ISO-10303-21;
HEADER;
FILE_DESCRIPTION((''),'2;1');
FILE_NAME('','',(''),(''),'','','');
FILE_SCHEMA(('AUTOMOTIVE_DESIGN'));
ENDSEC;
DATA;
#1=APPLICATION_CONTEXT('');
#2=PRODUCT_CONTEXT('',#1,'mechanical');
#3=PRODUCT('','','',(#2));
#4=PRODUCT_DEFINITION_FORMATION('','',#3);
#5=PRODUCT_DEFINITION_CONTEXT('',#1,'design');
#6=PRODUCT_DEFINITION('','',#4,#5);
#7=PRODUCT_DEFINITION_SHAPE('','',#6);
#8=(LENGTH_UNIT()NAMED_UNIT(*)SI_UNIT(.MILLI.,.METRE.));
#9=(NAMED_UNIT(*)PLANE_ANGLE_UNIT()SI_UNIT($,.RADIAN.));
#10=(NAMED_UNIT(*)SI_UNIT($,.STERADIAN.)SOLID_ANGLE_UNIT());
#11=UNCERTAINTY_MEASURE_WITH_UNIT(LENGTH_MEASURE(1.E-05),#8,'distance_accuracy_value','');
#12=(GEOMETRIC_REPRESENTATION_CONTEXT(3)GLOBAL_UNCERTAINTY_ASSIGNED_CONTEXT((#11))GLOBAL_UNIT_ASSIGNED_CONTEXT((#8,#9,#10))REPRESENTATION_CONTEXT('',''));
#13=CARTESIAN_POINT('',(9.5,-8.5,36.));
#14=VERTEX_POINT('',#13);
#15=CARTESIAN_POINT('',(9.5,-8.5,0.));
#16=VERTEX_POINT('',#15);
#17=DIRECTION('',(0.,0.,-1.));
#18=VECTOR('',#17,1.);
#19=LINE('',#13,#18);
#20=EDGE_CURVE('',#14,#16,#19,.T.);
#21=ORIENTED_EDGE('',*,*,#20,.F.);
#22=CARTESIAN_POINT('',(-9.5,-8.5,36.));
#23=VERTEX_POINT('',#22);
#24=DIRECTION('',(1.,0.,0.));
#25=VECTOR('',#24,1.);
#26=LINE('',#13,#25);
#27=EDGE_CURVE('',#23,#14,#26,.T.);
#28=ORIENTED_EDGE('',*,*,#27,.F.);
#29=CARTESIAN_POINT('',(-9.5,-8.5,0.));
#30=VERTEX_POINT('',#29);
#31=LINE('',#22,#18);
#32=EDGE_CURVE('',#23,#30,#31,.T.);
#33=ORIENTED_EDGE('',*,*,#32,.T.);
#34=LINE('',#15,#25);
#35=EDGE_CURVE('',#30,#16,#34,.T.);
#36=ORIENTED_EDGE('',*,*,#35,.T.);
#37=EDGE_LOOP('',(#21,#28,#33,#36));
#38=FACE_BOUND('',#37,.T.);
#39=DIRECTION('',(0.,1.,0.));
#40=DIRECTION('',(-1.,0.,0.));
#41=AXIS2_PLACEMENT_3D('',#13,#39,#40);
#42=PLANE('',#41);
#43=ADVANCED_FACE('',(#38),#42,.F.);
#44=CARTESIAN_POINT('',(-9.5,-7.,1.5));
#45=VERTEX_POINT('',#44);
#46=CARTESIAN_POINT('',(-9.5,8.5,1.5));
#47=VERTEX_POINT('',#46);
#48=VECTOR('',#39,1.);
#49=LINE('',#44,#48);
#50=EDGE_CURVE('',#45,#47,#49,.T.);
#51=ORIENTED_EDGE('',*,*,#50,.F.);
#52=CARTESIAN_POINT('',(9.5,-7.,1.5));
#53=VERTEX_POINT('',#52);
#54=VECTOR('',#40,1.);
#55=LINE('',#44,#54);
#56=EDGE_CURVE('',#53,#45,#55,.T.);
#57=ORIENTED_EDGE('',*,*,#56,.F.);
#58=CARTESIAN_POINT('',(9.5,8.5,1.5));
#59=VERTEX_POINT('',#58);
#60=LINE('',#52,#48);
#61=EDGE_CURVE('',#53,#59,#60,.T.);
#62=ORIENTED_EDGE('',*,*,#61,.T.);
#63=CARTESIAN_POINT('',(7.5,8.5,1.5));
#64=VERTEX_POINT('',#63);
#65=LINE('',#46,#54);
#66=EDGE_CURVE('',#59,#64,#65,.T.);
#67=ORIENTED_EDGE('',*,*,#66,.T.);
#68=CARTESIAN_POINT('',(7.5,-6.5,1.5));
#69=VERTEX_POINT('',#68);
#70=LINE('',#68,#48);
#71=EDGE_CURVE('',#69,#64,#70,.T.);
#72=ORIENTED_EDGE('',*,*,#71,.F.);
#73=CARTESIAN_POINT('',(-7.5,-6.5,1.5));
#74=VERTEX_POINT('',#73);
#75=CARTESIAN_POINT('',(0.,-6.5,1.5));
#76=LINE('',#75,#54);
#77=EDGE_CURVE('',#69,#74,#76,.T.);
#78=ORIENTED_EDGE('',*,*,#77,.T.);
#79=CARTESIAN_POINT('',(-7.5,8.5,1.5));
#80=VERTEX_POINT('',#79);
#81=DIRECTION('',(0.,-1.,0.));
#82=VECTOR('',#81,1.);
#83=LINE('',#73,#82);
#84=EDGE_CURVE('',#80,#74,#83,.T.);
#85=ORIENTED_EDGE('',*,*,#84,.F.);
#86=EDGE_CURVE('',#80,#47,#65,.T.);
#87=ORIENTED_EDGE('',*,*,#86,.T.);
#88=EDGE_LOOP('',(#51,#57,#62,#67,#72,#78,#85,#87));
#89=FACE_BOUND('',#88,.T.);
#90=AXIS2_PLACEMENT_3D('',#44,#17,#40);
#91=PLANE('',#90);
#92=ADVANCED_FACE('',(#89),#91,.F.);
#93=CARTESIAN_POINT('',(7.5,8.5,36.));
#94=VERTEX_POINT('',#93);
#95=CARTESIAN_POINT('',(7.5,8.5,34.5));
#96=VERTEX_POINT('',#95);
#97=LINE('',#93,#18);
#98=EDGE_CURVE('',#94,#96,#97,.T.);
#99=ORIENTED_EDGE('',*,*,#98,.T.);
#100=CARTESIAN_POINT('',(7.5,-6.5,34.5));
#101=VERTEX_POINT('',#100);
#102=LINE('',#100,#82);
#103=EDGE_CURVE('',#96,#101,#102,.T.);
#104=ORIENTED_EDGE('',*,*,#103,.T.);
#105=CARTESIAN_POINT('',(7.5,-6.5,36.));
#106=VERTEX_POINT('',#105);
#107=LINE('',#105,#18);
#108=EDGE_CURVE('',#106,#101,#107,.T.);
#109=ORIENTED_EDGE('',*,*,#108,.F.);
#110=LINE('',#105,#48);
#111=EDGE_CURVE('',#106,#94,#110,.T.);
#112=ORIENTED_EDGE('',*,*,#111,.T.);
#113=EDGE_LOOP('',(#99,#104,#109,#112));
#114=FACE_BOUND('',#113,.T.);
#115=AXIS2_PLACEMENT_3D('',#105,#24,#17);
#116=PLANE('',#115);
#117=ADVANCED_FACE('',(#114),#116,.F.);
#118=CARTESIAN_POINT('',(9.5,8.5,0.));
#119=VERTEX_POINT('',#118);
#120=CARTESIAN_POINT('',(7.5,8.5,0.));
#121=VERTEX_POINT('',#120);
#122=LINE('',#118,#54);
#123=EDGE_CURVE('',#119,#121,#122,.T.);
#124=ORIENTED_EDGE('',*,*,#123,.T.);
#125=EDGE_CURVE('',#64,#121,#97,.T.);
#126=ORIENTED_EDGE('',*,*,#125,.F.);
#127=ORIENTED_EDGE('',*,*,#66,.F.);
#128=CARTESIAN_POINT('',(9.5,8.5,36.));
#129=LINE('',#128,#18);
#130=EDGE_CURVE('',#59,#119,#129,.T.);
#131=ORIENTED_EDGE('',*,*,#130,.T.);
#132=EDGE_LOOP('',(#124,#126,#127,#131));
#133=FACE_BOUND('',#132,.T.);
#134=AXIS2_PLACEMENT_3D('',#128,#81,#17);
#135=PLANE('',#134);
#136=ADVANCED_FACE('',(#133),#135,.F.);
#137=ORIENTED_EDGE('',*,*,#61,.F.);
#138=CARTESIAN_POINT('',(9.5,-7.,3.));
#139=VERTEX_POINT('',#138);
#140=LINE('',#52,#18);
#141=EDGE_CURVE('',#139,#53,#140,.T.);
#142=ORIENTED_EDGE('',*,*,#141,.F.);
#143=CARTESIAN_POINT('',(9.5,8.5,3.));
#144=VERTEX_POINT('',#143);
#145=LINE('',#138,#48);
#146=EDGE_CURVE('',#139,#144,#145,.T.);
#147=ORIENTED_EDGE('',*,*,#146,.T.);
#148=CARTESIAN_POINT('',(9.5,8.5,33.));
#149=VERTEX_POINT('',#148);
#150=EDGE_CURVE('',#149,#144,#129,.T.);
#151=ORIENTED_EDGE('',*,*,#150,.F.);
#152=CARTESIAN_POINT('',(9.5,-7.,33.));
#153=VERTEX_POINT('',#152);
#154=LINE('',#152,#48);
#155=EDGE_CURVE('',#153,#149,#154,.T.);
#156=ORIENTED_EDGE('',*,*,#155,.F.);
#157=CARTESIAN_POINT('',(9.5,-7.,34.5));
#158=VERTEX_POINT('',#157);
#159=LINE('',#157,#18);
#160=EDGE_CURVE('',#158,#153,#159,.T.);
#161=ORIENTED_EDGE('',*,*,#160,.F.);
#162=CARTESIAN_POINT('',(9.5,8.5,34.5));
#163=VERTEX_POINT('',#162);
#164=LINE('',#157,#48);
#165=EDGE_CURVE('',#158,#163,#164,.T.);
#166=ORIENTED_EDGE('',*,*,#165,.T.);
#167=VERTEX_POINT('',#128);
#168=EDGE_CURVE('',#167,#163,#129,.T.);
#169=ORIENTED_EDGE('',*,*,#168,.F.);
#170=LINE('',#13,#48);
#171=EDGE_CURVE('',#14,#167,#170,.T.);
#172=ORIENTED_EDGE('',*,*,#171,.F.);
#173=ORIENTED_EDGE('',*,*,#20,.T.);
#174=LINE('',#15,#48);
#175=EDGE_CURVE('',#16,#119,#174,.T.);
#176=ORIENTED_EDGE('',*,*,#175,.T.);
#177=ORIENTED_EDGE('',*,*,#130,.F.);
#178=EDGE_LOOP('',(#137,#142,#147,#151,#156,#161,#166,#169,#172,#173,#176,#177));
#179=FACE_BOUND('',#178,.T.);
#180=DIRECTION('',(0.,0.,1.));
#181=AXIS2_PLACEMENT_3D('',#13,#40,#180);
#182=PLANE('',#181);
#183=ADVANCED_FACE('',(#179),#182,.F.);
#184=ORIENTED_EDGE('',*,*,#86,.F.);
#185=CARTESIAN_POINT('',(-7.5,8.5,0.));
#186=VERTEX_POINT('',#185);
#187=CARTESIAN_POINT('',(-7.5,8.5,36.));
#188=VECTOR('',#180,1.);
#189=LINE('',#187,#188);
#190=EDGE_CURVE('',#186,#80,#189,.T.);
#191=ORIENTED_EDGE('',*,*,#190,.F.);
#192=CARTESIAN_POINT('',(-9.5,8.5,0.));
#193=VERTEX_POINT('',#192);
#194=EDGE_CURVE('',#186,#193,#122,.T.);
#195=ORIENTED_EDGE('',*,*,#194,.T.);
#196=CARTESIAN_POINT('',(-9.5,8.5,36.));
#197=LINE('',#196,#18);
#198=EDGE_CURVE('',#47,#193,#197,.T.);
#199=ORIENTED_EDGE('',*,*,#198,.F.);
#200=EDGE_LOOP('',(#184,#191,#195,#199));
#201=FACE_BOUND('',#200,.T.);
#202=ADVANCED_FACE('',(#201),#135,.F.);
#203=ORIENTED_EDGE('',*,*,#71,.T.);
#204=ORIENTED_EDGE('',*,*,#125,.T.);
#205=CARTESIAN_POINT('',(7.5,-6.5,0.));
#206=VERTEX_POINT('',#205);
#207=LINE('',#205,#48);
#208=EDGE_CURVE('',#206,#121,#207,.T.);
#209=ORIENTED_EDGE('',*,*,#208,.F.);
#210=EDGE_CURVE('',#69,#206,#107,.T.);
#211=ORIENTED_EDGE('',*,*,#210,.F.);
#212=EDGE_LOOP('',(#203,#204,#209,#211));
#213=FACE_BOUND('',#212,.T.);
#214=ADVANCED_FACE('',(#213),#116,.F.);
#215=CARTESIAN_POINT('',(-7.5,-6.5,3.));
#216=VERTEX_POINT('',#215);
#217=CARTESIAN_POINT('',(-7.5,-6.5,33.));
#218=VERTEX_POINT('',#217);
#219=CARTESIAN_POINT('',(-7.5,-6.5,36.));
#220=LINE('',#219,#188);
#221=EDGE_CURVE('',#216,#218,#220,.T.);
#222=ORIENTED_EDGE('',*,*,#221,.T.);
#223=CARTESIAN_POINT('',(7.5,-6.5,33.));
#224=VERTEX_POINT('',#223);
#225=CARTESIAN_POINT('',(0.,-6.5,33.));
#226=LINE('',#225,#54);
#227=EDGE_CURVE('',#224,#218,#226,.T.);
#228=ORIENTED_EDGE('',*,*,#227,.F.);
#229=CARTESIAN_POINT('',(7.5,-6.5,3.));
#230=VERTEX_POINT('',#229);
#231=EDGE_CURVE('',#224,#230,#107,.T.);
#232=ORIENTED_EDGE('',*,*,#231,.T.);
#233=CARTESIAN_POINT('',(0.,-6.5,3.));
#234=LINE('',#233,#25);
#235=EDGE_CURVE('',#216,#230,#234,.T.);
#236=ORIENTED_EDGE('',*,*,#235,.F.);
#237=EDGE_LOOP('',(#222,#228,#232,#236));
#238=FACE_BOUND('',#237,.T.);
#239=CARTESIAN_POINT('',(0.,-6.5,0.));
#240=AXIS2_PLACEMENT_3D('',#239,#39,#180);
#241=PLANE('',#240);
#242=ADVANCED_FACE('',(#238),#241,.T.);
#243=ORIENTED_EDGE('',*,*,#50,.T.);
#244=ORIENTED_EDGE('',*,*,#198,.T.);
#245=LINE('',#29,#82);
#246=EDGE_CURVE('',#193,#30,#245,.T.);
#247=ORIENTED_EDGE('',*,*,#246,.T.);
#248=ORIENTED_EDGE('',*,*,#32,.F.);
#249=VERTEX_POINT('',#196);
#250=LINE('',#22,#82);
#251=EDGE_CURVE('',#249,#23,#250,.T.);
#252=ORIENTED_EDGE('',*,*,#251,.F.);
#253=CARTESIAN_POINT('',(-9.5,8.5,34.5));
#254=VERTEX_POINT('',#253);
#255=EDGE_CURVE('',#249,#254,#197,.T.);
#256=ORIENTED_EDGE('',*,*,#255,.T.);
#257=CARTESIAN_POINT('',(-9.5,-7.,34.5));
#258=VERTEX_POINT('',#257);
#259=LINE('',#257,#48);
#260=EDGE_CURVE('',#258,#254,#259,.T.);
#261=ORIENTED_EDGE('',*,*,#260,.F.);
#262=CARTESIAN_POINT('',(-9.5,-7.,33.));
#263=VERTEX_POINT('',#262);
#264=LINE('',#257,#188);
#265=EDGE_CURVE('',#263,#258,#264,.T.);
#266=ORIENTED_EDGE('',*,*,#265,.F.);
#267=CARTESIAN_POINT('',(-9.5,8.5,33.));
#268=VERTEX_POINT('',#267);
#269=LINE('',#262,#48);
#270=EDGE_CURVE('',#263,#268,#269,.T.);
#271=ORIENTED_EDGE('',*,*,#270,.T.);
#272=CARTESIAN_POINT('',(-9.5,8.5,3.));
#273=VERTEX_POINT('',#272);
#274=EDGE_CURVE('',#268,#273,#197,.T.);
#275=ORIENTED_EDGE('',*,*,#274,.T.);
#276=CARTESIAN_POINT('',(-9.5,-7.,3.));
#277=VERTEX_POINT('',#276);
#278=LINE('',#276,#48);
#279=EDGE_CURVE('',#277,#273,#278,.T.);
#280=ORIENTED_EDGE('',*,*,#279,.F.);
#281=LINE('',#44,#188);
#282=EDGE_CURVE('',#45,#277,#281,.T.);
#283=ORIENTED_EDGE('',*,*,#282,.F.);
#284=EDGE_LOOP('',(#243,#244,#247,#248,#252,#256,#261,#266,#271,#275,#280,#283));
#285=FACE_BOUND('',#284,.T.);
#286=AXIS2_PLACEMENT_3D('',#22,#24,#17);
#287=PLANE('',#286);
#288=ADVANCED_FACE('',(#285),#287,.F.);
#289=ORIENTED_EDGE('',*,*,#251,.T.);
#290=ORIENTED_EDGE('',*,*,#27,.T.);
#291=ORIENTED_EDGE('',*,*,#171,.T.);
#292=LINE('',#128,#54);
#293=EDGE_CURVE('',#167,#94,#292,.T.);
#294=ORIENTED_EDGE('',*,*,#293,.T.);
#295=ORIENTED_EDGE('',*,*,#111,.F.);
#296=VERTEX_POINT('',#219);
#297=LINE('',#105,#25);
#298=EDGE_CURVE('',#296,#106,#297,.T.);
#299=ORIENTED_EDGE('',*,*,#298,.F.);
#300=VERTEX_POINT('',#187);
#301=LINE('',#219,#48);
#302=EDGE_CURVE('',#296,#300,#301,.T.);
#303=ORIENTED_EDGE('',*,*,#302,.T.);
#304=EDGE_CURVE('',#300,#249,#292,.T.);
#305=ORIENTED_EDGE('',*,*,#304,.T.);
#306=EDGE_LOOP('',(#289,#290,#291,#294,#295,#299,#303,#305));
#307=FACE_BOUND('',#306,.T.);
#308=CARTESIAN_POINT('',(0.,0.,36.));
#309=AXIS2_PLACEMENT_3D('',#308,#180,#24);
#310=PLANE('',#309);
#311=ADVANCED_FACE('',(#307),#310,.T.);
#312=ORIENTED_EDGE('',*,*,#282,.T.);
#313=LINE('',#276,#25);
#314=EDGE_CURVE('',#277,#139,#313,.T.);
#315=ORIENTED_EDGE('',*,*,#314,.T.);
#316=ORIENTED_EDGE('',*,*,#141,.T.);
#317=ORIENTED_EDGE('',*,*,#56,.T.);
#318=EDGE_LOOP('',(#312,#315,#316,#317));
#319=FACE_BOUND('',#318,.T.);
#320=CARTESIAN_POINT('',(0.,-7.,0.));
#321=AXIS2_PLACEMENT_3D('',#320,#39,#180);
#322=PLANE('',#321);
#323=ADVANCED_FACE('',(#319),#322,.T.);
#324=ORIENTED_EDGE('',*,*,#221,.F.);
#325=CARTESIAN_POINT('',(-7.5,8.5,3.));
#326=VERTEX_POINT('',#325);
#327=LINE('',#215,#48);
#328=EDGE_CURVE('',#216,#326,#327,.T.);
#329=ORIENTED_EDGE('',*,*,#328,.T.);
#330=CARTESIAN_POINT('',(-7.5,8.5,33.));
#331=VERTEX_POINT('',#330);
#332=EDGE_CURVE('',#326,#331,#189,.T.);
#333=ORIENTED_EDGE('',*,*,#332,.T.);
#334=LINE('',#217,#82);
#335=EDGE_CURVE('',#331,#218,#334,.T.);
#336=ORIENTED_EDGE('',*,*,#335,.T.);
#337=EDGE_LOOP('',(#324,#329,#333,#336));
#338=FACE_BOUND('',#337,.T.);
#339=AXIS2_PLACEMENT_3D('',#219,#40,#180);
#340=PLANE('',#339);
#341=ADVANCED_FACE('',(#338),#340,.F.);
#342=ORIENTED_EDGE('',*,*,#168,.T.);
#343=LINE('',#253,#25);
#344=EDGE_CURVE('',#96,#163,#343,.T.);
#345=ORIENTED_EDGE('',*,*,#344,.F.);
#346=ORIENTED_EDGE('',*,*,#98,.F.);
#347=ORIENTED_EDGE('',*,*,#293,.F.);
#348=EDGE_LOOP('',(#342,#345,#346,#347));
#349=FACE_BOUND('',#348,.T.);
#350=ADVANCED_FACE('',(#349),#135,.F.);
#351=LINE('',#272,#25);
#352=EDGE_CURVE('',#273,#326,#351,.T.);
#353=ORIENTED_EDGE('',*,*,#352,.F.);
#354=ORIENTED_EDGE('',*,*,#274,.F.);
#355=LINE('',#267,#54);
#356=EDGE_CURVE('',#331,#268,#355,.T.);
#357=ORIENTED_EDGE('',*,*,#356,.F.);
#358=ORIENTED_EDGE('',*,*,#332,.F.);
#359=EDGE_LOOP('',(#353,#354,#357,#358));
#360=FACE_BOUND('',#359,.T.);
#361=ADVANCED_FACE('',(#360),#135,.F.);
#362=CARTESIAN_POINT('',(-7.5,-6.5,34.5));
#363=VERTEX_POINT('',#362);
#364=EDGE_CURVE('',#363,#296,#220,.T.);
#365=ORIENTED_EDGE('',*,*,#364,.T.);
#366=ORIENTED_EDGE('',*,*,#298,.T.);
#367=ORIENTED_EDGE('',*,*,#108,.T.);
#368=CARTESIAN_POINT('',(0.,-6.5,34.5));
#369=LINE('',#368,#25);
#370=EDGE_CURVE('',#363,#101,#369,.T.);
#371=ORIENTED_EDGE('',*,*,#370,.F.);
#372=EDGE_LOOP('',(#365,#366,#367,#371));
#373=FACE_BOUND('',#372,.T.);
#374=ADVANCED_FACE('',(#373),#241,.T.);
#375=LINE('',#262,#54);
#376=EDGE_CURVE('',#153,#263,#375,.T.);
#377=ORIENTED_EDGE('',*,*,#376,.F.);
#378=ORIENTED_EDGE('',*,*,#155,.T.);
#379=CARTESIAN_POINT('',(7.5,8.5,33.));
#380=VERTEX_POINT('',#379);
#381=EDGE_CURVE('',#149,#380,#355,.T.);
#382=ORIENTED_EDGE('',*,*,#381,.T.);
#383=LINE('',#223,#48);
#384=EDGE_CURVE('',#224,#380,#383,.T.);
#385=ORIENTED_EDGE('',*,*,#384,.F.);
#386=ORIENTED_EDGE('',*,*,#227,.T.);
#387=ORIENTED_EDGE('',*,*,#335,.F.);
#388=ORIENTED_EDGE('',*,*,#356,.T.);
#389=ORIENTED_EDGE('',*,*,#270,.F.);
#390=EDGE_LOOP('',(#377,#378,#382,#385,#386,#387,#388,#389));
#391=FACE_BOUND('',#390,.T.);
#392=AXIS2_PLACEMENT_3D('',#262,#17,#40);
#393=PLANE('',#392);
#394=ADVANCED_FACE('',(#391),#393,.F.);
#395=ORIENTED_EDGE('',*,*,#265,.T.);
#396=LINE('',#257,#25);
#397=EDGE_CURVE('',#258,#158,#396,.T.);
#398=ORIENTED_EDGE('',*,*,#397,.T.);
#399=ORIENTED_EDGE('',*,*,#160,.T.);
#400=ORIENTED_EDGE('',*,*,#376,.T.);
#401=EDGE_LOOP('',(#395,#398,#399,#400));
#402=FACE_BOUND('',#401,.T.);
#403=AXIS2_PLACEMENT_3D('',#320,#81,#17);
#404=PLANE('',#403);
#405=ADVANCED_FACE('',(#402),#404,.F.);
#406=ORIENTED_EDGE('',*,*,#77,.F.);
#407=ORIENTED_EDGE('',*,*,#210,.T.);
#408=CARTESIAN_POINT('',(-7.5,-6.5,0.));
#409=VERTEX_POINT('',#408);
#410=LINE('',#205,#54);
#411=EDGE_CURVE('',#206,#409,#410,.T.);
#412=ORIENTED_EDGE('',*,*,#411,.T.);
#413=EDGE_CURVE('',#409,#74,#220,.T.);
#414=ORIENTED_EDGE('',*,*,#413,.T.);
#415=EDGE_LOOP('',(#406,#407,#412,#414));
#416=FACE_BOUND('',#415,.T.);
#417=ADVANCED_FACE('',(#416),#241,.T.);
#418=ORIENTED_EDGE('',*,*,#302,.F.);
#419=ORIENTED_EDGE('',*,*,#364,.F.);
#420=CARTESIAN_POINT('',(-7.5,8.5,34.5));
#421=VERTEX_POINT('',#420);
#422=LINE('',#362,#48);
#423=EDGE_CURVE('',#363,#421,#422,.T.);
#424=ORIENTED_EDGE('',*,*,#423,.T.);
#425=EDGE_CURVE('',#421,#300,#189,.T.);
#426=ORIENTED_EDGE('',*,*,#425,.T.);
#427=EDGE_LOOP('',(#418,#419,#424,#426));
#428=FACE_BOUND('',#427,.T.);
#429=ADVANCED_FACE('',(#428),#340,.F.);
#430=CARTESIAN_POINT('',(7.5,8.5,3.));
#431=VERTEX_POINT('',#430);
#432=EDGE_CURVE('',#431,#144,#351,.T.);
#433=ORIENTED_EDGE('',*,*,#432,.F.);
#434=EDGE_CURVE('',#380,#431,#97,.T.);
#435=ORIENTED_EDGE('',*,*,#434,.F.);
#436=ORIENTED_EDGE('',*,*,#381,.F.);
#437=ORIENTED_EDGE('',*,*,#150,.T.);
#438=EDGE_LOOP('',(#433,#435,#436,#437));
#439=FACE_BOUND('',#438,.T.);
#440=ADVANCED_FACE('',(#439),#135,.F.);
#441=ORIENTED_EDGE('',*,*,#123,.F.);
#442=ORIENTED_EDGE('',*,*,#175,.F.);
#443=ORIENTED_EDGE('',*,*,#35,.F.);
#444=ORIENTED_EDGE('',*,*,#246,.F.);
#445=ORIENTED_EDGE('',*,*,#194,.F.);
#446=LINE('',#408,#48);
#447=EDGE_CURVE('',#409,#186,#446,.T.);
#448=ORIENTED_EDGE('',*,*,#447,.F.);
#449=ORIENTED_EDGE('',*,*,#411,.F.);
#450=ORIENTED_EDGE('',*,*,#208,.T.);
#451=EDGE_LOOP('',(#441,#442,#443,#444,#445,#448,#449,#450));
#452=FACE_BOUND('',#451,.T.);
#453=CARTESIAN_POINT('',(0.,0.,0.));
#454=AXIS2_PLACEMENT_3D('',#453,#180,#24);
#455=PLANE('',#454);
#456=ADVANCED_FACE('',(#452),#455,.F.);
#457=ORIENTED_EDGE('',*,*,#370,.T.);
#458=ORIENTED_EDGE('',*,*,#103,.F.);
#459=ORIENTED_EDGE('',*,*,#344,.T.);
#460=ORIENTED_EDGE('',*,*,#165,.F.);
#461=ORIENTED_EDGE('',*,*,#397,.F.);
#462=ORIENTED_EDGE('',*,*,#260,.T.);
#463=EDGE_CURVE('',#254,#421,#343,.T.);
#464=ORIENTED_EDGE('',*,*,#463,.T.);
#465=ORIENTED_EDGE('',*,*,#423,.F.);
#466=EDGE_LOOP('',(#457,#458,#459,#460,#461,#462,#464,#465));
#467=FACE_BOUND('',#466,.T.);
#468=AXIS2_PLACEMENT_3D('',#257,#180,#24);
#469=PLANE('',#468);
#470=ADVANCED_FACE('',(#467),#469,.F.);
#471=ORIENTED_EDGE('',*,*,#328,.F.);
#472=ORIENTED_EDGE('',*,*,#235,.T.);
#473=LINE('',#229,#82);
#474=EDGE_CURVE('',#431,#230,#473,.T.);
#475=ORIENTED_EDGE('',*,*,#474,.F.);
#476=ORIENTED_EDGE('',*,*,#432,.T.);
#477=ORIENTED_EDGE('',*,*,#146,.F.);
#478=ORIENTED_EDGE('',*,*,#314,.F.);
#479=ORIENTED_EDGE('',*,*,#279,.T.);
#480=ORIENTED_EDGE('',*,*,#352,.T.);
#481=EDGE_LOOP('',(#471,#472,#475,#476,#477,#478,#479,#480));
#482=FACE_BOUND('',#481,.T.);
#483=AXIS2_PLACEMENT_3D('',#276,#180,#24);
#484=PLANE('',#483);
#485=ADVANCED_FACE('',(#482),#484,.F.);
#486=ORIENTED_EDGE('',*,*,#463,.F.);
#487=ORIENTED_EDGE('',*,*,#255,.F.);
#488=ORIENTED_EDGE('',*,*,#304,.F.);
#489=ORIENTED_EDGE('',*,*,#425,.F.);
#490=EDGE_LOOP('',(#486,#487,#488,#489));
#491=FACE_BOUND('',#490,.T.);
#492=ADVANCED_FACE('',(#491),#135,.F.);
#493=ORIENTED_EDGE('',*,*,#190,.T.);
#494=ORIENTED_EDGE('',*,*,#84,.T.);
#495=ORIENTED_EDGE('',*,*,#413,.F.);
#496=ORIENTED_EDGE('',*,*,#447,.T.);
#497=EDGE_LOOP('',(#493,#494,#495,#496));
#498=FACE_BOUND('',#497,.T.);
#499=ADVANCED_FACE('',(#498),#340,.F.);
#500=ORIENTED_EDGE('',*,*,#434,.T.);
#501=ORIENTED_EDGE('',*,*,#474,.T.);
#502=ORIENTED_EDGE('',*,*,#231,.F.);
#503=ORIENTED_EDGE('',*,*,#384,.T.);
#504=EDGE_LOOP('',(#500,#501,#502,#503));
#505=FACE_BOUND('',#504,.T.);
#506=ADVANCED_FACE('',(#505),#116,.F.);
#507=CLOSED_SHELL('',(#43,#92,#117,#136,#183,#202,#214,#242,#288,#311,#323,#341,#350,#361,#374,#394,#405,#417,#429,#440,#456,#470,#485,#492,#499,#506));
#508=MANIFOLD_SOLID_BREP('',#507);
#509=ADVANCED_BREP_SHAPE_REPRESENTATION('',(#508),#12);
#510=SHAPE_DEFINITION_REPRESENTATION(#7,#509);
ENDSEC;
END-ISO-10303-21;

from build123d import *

# Parameters (mm, degrees)
SKETCH1_W           = 19
SKETCH1_H           = 17
BOSS_EXTRUDE1_DEPTH = 36
SKETCH2_W           = 15
SKETCH2_H           = 36
CUT_EXTRUDE1_DEPTH  = 15
SKETCH3_W           = 19
SKETCH3_H           = 1.5
CUT_EXTRUDE2_DEPTH  = 15.5


with BuildPart() as part:
    # Sketch1 → Boss-Extrude1 (new body)
    with BuildSketch(Plane.XY):
        Rectangle(SKETCH1_W, SKETCH1_H)
    extrude(amount=BOSS_EXTRUDE1_DEPTH)

    # Sketch2 → Cut-Extrude1 (cut)
    with BuildSketch(Plane(origin=(0, 8.5, 0), x_dir=(1, 0, 0), z_dir=(0, 1, 0))):
        with Locations((0, -18)):
            Rectangle(SKETCH2_W, SKETCH2_H)
    extrude(amount=-CUT_EXTRUDE1_DEPTH, mode=Mode.SUBTRACT)

    # Sketch3 → Cut-Extrude2 (cut)
    with BuildSketch(Plane(origin=(0, 8.5, 0), x_dir=(1, 0, 0), z_dir=(0, 1, 0))):
        with Locations((0, -33.75)):
            Rectangle(SKETCH3_W, SKETCH3_H)
        with Locations((0, -2.25)):
            Rectangle(SKETCH3_W, SKETCH3_H)
    extrude(amount=-CUT_EXTRUDE2_DEPTH, mode=Mode.SUBTRACT)


solid = part.part
